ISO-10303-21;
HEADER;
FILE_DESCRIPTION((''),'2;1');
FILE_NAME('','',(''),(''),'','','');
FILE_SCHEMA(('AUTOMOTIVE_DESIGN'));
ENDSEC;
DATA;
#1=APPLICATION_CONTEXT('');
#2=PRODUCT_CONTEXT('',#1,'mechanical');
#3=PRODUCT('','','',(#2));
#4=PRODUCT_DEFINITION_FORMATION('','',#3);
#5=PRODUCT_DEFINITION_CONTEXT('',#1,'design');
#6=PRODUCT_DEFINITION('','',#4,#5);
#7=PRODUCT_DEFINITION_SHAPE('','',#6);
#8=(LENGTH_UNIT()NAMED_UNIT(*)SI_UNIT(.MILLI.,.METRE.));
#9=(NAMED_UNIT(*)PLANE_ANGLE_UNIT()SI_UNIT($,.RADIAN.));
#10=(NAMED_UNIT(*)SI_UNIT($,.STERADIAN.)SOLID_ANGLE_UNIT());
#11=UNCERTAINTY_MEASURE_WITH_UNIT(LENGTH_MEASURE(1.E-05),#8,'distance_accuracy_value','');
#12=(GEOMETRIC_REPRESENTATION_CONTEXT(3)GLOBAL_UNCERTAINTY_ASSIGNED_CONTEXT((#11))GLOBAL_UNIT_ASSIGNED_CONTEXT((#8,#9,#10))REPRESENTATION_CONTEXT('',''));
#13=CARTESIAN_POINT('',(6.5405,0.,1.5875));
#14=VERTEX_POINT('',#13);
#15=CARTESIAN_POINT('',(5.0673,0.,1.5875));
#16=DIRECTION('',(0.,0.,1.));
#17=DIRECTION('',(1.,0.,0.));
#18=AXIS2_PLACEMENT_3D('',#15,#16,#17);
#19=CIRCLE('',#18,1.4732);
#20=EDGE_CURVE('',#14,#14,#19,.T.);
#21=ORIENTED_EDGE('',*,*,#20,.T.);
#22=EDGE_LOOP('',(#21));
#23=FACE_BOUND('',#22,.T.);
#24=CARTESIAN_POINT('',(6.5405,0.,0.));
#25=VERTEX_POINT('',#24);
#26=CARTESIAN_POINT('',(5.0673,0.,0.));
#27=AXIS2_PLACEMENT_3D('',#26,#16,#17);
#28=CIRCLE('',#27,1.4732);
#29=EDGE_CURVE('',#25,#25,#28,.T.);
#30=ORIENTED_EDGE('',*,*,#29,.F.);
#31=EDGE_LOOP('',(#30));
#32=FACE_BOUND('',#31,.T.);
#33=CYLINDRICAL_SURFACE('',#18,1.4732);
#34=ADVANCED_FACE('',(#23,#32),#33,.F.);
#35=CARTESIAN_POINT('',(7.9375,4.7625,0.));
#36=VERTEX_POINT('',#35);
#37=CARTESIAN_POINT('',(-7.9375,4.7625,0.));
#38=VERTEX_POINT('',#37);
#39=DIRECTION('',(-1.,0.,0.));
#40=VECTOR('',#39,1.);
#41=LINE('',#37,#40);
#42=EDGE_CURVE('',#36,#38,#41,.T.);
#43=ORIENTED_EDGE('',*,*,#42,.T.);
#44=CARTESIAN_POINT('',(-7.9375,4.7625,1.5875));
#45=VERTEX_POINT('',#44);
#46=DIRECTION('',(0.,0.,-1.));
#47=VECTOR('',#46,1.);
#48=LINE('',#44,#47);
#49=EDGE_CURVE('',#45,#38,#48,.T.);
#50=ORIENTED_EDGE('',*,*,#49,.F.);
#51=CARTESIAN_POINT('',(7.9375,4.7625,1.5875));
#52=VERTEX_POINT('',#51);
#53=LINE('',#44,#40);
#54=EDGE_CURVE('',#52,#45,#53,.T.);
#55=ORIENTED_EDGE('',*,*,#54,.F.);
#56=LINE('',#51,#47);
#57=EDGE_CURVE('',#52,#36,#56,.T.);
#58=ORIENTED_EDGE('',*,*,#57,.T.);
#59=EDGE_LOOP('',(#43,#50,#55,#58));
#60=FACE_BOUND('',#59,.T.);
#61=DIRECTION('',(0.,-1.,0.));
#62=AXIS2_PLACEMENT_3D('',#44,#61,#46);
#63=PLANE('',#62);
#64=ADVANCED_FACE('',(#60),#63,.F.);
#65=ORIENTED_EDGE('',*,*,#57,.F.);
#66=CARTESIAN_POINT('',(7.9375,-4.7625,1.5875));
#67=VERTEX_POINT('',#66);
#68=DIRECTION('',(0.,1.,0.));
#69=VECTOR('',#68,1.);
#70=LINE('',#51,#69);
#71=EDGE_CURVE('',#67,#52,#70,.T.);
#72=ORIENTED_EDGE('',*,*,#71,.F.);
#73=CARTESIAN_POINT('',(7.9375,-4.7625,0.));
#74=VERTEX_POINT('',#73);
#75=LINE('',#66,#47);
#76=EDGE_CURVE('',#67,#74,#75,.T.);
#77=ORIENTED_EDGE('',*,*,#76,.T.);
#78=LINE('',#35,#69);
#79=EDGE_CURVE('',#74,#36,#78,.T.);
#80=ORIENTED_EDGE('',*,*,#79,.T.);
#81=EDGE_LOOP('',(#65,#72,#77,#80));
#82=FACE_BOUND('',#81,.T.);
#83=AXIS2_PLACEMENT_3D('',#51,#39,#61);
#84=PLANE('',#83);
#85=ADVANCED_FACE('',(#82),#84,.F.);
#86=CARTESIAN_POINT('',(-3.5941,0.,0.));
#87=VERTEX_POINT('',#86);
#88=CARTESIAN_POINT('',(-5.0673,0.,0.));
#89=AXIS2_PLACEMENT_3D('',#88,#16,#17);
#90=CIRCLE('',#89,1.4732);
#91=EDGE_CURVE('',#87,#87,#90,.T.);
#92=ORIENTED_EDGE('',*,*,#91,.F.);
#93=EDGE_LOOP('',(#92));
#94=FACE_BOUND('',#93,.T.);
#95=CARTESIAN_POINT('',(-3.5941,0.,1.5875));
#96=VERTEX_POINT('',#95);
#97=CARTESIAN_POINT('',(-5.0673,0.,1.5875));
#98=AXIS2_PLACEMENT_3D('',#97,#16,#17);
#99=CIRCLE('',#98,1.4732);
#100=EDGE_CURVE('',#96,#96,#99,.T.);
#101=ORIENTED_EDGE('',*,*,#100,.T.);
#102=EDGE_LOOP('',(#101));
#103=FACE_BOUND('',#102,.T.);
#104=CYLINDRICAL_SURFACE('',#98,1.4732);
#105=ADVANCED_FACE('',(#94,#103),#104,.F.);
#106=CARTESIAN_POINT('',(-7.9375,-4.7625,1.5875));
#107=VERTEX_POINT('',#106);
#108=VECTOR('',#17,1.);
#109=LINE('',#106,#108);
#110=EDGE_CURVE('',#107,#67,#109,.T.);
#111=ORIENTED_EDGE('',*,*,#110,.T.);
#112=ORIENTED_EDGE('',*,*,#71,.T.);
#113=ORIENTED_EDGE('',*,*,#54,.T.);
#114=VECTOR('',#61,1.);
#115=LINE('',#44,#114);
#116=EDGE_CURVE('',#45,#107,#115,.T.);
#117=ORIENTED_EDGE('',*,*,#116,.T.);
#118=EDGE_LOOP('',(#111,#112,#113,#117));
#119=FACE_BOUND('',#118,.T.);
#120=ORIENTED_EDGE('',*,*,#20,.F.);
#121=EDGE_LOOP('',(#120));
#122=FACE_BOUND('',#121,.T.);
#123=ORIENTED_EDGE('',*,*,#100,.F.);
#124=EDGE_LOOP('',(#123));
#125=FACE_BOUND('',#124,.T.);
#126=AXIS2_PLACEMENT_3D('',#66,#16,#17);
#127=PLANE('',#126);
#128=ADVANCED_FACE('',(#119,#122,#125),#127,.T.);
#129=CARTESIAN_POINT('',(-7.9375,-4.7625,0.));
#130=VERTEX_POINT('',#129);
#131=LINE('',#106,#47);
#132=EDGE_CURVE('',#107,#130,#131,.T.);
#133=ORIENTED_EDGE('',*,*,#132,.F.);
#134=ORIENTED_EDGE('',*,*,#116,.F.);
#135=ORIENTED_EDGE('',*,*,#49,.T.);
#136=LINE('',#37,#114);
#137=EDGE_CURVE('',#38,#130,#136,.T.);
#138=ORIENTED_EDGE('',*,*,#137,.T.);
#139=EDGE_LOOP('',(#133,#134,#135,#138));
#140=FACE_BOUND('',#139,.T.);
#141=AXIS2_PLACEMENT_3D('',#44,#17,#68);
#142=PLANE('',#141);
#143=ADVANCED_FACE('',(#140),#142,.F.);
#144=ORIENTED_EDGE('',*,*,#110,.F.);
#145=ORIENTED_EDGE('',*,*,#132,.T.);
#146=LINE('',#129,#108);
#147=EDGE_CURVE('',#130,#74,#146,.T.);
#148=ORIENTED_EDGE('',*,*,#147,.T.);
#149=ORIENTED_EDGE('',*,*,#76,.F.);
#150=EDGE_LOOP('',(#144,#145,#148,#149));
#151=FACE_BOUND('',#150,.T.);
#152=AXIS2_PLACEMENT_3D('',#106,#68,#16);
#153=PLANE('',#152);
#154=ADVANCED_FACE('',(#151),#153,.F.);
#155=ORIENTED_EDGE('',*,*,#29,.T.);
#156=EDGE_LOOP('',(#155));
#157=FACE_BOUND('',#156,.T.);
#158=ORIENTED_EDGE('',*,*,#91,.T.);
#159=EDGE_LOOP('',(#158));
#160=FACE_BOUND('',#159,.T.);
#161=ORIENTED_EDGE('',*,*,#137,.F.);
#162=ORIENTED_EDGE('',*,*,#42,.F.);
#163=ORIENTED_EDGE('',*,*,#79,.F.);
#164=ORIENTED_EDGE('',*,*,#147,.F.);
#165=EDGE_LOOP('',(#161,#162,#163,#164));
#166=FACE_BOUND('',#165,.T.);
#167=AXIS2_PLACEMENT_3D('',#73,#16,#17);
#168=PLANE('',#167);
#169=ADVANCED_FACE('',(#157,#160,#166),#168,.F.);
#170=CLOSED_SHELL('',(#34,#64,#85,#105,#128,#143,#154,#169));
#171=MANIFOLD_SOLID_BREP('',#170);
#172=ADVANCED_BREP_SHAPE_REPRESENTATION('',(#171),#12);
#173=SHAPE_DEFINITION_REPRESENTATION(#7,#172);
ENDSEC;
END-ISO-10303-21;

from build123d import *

# Parameters (mm, degrees)
SKETCH1_W                 = 15.875
SKETCH1_H                 = 9.525
BOSS_EXTRUDE1_DEPTH       = 1.5875
F_4_CLEARANCE_HOLE1_D     = 2.9464
F_4_CLEARANCE_HOLE1_DEPTH = 1.5875


with BuildPart() as part:
    # Sketch1 → Boss-Extrude1 (new body)
    with BuildSketch(Plane.XY):
        Rectangle(SKETCH1_W, SKETCH1_H)
    extrude(amount=BOSS_EXTRUDE1_DEPTH)

    # #4 Clearance Hole1
    with Locations(Plane.XY.offset(1.5875)):
        with Locations((-5.0673, 0), (5.0673, 0)):
            Hole(F_4_CLEARANCE_HOLE1_D / 2, depth=F_4_CLEARANCE_HOLE1_DEPTH)


solid = part.part
